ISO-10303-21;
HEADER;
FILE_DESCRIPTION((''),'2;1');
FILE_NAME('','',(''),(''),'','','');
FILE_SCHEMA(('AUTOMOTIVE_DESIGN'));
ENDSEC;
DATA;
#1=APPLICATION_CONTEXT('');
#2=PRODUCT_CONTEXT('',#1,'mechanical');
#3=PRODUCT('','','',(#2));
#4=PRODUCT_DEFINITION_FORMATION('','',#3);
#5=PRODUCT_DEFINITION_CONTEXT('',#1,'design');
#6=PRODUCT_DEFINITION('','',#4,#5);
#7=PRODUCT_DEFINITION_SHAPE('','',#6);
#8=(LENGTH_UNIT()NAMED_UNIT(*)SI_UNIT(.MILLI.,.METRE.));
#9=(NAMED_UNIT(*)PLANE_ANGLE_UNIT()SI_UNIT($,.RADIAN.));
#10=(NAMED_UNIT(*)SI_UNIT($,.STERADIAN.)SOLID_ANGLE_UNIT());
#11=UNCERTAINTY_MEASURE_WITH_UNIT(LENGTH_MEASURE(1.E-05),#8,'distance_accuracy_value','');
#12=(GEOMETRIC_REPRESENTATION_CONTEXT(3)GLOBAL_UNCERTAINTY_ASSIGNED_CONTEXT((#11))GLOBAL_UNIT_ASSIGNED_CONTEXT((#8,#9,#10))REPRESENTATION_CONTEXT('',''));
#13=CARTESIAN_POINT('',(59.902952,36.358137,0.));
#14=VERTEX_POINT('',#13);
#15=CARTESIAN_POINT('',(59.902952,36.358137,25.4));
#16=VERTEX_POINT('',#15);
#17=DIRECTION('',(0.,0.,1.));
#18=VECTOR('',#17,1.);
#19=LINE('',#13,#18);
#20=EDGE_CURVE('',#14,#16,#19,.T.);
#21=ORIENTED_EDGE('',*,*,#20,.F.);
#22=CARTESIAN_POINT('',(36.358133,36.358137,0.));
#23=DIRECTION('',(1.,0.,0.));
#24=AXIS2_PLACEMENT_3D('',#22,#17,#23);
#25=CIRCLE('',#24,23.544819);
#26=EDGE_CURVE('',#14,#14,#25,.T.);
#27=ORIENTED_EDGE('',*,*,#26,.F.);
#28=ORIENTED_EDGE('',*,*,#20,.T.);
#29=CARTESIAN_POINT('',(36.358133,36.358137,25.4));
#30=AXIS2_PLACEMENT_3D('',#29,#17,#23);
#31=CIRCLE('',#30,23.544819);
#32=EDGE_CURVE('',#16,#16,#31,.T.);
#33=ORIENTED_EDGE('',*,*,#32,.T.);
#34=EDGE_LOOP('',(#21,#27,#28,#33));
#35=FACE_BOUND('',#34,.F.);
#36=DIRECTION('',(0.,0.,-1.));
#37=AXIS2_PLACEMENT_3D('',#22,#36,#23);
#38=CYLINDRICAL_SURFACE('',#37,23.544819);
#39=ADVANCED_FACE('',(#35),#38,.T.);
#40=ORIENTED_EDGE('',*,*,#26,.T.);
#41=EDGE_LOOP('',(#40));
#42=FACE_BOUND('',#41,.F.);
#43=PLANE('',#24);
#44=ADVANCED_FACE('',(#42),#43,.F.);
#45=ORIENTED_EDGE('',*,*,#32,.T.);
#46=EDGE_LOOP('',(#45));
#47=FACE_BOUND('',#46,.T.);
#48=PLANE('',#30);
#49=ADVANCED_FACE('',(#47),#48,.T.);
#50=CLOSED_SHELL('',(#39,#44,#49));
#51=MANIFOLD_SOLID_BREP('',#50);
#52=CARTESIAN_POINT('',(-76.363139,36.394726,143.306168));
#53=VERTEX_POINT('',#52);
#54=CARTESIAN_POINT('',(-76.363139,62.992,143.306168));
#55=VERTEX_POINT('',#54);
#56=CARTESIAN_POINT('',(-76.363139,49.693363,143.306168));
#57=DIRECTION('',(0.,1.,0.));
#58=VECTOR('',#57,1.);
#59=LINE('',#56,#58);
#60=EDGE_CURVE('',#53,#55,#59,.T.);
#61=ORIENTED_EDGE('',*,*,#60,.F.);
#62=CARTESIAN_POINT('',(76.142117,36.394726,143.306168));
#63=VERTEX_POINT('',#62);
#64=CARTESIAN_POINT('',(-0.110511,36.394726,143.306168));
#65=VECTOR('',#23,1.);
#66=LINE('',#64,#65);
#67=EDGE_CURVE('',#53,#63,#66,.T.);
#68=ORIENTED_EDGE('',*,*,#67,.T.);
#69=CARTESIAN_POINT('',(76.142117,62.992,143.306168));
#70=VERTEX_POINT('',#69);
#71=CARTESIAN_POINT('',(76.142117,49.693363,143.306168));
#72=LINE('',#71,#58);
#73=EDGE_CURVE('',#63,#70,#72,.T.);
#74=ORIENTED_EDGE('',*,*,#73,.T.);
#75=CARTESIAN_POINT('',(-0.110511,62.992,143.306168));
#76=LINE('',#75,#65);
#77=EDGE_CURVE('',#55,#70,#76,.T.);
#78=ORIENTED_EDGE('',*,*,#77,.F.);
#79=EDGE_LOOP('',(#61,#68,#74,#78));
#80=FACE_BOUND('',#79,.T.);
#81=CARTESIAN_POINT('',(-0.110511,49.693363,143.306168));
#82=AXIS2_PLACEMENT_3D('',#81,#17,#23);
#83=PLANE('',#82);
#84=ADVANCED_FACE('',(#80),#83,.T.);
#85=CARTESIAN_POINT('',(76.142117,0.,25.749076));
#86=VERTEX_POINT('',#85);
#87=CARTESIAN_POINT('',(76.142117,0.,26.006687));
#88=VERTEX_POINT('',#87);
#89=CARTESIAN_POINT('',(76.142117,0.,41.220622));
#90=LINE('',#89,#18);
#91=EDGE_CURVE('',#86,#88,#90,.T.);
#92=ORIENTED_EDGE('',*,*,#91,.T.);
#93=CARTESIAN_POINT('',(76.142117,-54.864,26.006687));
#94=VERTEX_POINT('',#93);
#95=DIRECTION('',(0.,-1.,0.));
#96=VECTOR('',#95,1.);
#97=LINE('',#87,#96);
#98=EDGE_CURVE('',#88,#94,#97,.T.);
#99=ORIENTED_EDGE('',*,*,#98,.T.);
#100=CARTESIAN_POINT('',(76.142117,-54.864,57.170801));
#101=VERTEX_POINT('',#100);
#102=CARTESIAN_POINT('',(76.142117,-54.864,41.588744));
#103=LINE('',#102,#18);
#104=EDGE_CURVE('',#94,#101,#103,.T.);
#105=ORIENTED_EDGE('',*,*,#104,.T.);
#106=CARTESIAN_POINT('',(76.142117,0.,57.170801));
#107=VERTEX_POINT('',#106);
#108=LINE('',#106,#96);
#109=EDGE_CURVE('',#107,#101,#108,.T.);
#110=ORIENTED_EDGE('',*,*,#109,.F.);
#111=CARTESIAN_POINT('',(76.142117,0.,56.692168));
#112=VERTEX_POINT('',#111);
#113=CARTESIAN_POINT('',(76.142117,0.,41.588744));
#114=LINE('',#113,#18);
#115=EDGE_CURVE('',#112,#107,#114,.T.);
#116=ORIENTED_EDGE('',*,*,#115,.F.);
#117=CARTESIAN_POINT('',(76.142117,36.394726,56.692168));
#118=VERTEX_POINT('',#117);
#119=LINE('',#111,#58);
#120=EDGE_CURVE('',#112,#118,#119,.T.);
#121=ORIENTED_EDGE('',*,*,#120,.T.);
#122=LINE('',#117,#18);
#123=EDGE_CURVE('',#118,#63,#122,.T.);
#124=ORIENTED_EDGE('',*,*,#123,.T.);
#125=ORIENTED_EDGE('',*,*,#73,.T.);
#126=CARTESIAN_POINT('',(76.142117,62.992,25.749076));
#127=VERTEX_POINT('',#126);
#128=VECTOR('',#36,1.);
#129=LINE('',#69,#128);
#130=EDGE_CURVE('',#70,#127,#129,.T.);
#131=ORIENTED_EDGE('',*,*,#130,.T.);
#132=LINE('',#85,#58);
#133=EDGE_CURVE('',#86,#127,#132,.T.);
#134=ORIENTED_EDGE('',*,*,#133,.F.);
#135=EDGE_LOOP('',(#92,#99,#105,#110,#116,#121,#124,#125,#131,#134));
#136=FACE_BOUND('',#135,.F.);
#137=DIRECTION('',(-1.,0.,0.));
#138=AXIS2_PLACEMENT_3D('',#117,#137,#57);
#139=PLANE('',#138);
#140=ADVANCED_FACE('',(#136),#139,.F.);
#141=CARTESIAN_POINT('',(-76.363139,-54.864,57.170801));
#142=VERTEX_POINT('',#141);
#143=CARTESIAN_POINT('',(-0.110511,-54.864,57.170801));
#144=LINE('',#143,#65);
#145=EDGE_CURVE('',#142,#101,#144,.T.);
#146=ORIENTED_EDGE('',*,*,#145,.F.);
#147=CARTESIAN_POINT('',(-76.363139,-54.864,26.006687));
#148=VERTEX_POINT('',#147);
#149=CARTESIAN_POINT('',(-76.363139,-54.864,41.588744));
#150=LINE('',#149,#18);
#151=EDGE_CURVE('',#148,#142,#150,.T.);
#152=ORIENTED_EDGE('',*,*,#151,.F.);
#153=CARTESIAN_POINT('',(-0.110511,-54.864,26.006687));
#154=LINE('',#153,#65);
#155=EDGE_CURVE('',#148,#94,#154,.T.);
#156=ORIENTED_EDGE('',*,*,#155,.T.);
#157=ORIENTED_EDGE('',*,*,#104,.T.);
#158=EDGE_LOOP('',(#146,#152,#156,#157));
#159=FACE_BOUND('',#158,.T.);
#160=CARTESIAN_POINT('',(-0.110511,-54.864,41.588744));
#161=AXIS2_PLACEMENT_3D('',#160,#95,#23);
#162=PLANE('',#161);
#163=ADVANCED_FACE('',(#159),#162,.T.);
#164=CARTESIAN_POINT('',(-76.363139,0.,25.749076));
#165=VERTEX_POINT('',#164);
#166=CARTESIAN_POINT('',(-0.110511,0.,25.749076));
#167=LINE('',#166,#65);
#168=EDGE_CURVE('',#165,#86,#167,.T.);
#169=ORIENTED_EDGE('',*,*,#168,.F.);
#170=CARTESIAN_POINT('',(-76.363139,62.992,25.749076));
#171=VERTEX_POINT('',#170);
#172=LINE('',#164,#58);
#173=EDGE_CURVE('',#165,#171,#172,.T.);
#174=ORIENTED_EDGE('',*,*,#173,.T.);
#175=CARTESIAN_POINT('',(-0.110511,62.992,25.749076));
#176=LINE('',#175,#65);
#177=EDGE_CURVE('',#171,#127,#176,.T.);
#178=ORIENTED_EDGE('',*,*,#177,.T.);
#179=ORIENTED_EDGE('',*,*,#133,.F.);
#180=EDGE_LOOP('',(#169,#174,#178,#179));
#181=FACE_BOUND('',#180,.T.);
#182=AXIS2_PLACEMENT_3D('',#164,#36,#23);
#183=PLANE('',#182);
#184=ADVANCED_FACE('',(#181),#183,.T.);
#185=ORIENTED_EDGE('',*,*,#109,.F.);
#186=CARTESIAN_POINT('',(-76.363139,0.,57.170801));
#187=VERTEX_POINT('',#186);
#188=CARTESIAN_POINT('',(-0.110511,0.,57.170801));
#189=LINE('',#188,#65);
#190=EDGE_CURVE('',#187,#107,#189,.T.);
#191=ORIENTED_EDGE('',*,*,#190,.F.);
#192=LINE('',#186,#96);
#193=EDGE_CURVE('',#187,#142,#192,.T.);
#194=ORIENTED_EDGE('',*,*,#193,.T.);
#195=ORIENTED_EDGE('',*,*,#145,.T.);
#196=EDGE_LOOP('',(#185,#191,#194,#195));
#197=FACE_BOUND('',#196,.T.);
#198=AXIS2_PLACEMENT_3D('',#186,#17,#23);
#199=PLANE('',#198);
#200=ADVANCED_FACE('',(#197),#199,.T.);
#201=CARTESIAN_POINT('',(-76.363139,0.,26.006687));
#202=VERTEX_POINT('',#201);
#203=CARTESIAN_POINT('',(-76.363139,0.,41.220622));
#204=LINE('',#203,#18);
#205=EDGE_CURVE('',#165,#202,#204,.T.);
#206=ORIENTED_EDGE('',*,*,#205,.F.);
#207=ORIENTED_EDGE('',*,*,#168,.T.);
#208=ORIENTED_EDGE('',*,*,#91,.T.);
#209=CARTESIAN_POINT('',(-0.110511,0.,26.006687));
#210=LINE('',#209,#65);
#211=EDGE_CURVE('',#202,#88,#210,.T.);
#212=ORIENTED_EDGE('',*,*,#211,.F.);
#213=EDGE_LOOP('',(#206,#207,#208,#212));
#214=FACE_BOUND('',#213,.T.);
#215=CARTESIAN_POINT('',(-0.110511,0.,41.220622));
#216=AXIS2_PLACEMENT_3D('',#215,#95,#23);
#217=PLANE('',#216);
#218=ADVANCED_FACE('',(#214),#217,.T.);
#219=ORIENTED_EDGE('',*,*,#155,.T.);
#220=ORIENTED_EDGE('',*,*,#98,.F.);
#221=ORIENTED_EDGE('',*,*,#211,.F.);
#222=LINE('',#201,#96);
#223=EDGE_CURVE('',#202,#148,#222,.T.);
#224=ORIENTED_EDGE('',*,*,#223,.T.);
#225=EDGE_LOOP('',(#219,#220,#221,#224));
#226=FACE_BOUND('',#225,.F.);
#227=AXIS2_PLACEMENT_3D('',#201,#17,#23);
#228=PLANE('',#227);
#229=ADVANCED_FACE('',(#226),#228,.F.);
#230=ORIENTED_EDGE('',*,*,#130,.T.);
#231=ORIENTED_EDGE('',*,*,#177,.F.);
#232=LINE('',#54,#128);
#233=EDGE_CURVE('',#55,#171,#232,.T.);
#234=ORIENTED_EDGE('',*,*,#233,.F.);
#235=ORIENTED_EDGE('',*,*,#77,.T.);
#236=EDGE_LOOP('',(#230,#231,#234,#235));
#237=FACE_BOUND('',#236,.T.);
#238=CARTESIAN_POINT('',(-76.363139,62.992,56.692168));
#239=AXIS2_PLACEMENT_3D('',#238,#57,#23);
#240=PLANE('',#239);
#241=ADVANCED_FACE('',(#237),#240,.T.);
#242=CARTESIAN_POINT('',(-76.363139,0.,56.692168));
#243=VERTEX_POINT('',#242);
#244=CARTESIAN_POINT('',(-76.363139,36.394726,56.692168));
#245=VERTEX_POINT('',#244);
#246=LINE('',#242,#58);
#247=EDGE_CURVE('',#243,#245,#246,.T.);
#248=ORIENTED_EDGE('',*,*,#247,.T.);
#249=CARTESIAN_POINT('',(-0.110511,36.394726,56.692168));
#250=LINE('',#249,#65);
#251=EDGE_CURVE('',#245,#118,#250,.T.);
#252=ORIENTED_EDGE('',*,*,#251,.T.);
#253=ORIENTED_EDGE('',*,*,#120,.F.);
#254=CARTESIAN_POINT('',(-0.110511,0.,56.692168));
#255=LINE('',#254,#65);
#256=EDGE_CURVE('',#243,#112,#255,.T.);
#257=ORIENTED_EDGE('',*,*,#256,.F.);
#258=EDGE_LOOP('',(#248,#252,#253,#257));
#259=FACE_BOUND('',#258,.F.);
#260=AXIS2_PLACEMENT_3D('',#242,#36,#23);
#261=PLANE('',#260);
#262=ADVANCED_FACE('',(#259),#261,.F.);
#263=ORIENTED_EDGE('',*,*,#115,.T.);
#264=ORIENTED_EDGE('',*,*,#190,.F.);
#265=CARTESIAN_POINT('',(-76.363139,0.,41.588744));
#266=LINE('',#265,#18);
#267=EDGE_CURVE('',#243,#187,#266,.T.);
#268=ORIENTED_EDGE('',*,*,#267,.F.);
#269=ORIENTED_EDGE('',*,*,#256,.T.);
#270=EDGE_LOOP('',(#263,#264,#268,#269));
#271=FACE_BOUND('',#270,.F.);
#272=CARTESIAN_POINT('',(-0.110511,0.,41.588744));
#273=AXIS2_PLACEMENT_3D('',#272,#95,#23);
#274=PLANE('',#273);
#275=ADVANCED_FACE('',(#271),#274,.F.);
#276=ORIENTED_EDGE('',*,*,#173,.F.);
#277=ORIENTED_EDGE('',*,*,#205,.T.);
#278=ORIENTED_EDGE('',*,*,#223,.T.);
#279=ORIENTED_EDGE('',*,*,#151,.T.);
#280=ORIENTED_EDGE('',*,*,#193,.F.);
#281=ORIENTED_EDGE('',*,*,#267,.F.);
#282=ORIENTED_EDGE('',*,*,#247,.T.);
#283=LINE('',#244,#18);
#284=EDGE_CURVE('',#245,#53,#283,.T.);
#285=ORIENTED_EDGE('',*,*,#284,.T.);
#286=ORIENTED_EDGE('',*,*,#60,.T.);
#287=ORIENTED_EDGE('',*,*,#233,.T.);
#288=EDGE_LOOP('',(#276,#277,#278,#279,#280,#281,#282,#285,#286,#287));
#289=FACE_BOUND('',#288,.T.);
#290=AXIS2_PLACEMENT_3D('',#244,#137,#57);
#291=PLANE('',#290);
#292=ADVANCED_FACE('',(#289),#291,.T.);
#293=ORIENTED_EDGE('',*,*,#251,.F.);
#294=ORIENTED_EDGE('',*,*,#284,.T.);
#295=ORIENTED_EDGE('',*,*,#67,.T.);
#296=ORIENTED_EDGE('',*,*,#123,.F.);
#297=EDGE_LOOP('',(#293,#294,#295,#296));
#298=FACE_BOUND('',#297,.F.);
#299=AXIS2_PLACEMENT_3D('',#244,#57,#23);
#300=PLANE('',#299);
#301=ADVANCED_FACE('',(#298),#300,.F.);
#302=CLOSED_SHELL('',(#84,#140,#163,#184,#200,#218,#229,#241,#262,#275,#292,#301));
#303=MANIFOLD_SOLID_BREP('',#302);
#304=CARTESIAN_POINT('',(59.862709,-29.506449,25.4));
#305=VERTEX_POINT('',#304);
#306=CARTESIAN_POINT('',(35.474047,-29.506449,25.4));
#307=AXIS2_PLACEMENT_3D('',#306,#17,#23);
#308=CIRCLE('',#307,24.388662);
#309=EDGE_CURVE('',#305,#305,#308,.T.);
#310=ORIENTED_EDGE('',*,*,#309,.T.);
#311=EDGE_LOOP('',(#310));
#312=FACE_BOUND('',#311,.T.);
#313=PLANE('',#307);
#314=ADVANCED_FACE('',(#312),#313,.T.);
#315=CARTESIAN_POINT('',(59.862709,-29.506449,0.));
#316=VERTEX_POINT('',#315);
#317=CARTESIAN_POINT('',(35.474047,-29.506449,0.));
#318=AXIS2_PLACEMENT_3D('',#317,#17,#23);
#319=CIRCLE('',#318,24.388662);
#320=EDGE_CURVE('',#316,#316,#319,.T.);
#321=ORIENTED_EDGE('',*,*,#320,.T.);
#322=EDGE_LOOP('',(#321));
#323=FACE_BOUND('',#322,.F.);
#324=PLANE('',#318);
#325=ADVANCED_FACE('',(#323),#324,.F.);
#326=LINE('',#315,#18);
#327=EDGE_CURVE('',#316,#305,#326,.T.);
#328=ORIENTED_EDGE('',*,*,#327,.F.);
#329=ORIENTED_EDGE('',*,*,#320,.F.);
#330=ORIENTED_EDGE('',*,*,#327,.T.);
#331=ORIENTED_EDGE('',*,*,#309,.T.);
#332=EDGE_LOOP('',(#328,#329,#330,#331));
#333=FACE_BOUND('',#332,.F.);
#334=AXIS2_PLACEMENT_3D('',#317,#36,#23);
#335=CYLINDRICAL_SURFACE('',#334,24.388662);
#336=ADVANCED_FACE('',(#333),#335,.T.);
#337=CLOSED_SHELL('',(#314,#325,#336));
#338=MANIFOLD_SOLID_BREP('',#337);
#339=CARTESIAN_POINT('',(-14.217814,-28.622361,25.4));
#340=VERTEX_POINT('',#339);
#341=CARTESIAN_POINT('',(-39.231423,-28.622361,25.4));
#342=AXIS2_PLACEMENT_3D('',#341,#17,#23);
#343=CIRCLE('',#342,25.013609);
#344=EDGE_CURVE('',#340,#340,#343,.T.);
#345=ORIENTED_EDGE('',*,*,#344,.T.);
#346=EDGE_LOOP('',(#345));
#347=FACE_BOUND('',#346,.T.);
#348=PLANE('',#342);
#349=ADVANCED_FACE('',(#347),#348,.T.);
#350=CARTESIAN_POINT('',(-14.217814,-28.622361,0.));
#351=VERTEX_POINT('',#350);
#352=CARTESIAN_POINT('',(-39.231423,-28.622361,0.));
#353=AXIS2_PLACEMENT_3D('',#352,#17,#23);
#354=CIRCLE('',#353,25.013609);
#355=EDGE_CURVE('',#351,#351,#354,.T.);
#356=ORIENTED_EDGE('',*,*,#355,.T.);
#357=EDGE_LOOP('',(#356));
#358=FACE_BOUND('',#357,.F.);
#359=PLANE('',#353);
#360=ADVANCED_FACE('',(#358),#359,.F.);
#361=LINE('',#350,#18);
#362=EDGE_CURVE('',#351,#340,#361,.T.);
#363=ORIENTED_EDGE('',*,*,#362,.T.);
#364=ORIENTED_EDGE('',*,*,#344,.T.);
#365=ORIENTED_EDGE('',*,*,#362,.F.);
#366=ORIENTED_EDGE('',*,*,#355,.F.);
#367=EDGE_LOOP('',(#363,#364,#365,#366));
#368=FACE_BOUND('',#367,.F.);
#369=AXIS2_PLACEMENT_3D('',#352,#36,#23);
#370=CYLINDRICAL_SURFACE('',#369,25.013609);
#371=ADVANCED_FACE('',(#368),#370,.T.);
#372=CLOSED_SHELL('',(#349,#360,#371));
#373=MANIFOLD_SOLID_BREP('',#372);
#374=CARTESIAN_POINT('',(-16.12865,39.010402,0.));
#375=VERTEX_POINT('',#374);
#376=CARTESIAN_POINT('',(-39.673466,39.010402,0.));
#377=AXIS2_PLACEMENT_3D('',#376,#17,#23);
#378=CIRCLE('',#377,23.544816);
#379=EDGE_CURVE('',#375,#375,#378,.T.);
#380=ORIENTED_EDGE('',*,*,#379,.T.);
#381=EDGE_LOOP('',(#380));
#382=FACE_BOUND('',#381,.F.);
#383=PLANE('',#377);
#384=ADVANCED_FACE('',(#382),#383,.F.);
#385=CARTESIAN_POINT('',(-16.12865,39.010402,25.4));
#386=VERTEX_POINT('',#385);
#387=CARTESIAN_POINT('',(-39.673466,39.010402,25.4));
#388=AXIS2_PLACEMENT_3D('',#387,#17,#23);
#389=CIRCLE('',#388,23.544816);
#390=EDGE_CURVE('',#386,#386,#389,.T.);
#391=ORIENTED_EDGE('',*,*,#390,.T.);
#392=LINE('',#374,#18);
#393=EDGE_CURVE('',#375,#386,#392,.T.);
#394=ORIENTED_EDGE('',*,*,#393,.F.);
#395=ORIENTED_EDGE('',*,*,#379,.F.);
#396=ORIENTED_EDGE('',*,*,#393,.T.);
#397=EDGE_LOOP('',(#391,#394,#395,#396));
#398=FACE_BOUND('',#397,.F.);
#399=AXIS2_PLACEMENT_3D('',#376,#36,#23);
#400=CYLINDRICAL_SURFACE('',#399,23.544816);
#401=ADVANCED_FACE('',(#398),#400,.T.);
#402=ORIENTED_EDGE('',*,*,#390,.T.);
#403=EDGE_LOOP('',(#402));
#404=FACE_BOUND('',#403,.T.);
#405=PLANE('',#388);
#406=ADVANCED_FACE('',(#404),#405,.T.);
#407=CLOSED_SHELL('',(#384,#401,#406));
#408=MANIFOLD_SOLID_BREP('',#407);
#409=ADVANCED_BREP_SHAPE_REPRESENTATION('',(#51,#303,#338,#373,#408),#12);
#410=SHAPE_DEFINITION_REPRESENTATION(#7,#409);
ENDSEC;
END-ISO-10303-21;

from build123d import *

# Parameters (mm, degrees)
F0_R     = 23.544816
F0_R_2   = 23.544819
F0_R_3   = 25.013609
F0_R_4   = 24.388662
F1_DEPTH = 25.4
F2_W     = 152.505256
F2_H     = 30.943092
F3_DEPTH = 62.992
F4_W     = 152.505256
F4_H     = 31.164114
F5_DEPTH = 54.864
F6_W     = 152.505256
F6_H     = 26.597274
F7_DEPTH = 86.614


with BuildPart() as f1:
    # F0 (on Top) → F1 (new body)
    with BuildSketch(Plane.XY):
        with Locations((-39.673466, 39.010402)):
            Circle(F0_R)
        with Locations((36.358133, 36.358137)):
            Circle(F0_R_2)
        with Locations((-39.231423, -28.622361)):
            Circle(F0_R_3)
        with Locations((35.474047, -29.506449)):
            Circle(F0_R_4)
    extrude(amount=F1_DEPTH)


with BuildPart() as f3:
    # F2 (on Front) → F3 (new body)
    with BuildSketch(Plane.XZ):
        with Locations((-0.110511, 41.220622)):
            Rectangle(F2_W, F2_H)
    extrude(amount=-F3_DEPTH)

    # F4 (on Front) → F5 (join)
    with BuildSketch(Plane.XZ):
        with Locations((-0.110511, 41.588744)):
            Rectangle(F4_W, F4_H)
    extrude(amount=F5_DEPTH)

    # F6 (on face) → F7 (join)
    with BuildSketch(Plane.XY.offset(56.692168)):
        with Locations((-0.110511, 49.693363)):
            Rectangle(F6_W, F6_H)
    extrude(amount=F7_DEPTH)


solid = Compound([f1.part, f3.part])
